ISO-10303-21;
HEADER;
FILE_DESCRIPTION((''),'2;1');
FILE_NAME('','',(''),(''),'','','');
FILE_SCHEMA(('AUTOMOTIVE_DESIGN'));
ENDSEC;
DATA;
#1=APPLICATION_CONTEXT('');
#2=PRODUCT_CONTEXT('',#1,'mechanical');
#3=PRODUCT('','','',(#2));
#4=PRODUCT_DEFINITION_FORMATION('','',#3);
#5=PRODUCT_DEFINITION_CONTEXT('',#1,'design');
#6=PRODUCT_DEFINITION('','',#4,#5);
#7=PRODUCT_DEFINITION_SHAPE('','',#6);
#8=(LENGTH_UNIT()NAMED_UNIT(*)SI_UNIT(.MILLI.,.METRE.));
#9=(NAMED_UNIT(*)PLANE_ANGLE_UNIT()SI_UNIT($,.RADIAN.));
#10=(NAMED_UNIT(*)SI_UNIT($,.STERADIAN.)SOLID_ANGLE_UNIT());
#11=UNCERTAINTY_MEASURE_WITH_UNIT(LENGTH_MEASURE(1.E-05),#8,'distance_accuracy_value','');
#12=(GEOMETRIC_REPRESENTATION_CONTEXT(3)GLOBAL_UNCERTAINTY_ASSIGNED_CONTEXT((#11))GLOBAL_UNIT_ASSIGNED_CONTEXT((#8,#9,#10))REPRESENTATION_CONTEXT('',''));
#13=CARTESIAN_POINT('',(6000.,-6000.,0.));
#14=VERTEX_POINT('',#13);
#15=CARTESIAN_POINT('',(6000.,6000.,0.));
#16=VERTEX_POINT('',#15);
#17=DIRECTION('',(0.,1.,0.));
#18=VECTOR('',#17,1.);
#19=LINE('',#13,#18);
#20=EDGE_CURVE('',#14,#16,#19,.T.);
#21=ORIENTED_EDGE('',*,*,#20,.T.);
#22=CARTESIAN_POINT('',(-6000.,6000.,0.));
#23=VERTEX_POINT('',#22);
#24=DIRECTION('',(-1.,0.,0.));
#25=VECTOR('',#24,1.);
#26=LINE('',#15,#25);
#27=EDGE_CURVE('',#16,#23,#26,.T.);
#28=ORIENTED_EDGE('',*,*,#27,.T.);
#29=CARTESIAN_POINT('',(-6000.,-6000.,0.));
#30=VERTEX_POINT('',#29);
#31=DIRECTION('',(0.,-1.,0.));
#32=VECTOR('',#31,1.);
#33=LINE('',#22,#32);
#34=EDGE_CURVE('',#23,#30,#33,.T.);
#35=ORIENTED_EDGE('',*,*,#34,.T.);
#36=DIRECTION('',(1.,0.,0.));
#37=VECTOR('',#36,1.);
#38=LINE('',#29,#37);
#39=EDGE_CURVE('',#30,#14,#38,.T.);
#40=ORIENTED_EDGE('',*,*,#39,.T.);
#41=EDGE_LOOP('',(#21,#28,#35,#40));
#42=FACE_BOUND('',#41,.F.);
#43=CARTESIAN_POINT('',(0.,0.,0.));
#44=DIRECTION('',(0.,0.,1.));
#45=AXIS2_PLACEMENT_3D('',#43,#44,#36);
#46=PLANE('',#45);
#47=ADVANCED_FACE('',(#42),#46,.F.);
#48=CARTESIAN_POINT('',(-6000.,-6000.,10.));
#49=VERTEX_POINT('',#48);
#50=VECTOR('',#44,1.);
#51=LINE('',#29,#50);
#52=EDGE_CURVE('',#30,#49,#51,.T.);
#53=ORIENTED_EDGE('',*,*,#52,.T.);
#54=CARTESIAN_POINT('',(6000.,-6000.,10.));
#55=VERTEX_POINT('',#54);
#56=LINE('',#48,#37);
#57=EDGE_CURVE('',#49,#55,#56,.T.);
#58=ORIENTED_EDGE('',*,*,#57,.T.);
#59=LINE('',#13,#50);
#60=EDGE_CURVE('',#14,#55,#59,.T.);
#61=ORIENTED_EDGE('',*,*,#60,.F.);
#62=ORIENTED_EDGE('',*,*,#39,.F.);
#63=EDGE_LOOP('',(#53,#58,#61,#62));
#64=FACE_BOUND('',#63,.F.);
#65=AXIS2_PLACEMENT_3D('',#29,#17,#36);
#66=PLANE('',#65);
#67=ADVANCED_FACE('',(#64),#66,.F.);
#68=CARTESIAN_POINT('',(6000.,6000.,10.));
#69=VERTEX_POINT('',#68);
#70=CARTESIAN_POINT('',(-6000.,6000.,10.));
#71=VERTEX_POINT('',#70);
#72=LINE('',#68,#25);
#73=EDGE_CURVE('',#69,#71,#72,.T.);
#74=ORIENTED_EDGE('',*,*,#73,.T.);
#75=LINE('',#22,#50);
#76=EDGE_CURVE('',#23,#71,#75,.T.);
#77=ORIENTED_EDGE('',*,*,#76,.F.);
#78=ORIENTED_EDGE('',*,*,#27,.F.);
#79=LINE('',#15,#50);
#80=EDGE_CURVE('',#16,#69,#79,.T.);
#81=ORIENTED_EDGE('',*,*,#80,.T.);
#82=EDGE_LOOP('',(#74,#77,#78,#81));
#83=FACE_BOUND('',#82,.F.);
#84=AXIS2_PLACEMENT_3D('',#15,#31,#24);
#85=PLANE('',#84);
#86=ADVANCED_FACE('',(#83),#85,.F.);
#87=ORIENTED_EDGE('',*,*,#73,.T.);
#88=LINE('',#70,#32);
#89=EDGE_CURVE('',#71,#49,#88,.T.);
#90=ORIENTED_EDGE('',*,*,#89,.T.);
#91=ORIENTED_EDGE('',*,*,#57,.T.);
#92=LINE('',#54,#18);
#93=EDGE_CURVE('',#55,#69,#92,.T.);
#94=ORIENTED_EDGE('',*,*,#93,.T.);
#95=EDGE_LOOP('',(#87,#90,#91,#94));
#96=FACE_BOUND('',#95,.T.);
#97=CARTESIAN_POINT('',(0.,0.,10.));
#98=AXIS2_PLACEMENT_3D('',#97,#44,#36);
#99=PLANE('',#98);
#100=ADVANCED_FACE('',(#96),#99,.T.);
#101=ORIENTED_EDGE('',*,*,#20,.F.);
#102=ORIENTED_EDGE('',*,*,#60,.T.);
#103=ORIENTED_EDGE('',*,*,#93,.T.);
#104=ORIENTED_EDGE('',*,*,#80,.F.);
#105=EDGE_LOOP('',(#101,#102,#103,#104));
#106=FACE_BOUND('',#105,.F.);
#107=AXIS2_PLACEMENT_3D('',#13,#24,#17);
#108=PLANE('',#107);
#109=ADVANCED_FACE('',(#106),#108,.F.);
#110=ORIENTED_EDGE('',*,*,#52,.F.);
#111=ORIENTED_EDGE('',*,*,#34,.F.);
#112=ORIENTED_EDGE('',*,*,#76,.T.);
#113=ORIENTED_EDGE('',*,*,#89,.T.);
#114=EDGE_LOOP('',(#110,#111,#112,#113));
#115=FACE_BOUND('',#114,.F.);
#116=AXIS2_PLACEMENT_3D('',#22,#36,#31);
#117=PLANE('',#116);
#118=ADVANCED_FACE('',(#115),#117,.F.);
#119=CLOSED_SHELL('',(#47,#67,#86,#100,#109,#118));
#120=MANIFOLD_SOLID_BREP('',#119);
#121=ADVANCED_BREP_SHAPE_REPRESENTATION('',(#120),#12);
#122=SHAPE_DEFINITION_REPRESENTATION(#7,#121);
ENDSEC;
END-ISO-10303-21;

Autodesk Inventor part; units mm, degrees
ref_plane "YZ Plane" through (0, 0, 0) normal (1, 0, 0) x (0, 1, 0)
ref_plane "XZ Plane" through (0, 0, 0) normal (0, 1, 0) x (-1, 0, 0)
ref_plane "XY Plane" through (0, 0, 0) normal (0, 0, 1) x (1, 0, 0)
sketch "Sketch1" plane through (0, 0, 0) normal (0, 0, 1) x (1, 0, 0)
  line L0 (-6000, -6000) -> (6000, -6000)
  line L1 (6000, -6000) -> (6000, 6000)
  line L2 (6000, 6000) -> (-6000, 6000)
  line L3 (-6000, 6000) -> (-6000, -6000)
  line L4 (-6000, -6000) -> (6000, 6000) construction
  line L5 (6000, -6000) -> (-6000, 6000) construction
  point P0 (0, 0)
  dimension "d0" = 12000
  dimension "d1" = 12000
extrude "Extrusion1" add sketch "Sketch1" along normal blind 10
properties part number "10_Ground"
